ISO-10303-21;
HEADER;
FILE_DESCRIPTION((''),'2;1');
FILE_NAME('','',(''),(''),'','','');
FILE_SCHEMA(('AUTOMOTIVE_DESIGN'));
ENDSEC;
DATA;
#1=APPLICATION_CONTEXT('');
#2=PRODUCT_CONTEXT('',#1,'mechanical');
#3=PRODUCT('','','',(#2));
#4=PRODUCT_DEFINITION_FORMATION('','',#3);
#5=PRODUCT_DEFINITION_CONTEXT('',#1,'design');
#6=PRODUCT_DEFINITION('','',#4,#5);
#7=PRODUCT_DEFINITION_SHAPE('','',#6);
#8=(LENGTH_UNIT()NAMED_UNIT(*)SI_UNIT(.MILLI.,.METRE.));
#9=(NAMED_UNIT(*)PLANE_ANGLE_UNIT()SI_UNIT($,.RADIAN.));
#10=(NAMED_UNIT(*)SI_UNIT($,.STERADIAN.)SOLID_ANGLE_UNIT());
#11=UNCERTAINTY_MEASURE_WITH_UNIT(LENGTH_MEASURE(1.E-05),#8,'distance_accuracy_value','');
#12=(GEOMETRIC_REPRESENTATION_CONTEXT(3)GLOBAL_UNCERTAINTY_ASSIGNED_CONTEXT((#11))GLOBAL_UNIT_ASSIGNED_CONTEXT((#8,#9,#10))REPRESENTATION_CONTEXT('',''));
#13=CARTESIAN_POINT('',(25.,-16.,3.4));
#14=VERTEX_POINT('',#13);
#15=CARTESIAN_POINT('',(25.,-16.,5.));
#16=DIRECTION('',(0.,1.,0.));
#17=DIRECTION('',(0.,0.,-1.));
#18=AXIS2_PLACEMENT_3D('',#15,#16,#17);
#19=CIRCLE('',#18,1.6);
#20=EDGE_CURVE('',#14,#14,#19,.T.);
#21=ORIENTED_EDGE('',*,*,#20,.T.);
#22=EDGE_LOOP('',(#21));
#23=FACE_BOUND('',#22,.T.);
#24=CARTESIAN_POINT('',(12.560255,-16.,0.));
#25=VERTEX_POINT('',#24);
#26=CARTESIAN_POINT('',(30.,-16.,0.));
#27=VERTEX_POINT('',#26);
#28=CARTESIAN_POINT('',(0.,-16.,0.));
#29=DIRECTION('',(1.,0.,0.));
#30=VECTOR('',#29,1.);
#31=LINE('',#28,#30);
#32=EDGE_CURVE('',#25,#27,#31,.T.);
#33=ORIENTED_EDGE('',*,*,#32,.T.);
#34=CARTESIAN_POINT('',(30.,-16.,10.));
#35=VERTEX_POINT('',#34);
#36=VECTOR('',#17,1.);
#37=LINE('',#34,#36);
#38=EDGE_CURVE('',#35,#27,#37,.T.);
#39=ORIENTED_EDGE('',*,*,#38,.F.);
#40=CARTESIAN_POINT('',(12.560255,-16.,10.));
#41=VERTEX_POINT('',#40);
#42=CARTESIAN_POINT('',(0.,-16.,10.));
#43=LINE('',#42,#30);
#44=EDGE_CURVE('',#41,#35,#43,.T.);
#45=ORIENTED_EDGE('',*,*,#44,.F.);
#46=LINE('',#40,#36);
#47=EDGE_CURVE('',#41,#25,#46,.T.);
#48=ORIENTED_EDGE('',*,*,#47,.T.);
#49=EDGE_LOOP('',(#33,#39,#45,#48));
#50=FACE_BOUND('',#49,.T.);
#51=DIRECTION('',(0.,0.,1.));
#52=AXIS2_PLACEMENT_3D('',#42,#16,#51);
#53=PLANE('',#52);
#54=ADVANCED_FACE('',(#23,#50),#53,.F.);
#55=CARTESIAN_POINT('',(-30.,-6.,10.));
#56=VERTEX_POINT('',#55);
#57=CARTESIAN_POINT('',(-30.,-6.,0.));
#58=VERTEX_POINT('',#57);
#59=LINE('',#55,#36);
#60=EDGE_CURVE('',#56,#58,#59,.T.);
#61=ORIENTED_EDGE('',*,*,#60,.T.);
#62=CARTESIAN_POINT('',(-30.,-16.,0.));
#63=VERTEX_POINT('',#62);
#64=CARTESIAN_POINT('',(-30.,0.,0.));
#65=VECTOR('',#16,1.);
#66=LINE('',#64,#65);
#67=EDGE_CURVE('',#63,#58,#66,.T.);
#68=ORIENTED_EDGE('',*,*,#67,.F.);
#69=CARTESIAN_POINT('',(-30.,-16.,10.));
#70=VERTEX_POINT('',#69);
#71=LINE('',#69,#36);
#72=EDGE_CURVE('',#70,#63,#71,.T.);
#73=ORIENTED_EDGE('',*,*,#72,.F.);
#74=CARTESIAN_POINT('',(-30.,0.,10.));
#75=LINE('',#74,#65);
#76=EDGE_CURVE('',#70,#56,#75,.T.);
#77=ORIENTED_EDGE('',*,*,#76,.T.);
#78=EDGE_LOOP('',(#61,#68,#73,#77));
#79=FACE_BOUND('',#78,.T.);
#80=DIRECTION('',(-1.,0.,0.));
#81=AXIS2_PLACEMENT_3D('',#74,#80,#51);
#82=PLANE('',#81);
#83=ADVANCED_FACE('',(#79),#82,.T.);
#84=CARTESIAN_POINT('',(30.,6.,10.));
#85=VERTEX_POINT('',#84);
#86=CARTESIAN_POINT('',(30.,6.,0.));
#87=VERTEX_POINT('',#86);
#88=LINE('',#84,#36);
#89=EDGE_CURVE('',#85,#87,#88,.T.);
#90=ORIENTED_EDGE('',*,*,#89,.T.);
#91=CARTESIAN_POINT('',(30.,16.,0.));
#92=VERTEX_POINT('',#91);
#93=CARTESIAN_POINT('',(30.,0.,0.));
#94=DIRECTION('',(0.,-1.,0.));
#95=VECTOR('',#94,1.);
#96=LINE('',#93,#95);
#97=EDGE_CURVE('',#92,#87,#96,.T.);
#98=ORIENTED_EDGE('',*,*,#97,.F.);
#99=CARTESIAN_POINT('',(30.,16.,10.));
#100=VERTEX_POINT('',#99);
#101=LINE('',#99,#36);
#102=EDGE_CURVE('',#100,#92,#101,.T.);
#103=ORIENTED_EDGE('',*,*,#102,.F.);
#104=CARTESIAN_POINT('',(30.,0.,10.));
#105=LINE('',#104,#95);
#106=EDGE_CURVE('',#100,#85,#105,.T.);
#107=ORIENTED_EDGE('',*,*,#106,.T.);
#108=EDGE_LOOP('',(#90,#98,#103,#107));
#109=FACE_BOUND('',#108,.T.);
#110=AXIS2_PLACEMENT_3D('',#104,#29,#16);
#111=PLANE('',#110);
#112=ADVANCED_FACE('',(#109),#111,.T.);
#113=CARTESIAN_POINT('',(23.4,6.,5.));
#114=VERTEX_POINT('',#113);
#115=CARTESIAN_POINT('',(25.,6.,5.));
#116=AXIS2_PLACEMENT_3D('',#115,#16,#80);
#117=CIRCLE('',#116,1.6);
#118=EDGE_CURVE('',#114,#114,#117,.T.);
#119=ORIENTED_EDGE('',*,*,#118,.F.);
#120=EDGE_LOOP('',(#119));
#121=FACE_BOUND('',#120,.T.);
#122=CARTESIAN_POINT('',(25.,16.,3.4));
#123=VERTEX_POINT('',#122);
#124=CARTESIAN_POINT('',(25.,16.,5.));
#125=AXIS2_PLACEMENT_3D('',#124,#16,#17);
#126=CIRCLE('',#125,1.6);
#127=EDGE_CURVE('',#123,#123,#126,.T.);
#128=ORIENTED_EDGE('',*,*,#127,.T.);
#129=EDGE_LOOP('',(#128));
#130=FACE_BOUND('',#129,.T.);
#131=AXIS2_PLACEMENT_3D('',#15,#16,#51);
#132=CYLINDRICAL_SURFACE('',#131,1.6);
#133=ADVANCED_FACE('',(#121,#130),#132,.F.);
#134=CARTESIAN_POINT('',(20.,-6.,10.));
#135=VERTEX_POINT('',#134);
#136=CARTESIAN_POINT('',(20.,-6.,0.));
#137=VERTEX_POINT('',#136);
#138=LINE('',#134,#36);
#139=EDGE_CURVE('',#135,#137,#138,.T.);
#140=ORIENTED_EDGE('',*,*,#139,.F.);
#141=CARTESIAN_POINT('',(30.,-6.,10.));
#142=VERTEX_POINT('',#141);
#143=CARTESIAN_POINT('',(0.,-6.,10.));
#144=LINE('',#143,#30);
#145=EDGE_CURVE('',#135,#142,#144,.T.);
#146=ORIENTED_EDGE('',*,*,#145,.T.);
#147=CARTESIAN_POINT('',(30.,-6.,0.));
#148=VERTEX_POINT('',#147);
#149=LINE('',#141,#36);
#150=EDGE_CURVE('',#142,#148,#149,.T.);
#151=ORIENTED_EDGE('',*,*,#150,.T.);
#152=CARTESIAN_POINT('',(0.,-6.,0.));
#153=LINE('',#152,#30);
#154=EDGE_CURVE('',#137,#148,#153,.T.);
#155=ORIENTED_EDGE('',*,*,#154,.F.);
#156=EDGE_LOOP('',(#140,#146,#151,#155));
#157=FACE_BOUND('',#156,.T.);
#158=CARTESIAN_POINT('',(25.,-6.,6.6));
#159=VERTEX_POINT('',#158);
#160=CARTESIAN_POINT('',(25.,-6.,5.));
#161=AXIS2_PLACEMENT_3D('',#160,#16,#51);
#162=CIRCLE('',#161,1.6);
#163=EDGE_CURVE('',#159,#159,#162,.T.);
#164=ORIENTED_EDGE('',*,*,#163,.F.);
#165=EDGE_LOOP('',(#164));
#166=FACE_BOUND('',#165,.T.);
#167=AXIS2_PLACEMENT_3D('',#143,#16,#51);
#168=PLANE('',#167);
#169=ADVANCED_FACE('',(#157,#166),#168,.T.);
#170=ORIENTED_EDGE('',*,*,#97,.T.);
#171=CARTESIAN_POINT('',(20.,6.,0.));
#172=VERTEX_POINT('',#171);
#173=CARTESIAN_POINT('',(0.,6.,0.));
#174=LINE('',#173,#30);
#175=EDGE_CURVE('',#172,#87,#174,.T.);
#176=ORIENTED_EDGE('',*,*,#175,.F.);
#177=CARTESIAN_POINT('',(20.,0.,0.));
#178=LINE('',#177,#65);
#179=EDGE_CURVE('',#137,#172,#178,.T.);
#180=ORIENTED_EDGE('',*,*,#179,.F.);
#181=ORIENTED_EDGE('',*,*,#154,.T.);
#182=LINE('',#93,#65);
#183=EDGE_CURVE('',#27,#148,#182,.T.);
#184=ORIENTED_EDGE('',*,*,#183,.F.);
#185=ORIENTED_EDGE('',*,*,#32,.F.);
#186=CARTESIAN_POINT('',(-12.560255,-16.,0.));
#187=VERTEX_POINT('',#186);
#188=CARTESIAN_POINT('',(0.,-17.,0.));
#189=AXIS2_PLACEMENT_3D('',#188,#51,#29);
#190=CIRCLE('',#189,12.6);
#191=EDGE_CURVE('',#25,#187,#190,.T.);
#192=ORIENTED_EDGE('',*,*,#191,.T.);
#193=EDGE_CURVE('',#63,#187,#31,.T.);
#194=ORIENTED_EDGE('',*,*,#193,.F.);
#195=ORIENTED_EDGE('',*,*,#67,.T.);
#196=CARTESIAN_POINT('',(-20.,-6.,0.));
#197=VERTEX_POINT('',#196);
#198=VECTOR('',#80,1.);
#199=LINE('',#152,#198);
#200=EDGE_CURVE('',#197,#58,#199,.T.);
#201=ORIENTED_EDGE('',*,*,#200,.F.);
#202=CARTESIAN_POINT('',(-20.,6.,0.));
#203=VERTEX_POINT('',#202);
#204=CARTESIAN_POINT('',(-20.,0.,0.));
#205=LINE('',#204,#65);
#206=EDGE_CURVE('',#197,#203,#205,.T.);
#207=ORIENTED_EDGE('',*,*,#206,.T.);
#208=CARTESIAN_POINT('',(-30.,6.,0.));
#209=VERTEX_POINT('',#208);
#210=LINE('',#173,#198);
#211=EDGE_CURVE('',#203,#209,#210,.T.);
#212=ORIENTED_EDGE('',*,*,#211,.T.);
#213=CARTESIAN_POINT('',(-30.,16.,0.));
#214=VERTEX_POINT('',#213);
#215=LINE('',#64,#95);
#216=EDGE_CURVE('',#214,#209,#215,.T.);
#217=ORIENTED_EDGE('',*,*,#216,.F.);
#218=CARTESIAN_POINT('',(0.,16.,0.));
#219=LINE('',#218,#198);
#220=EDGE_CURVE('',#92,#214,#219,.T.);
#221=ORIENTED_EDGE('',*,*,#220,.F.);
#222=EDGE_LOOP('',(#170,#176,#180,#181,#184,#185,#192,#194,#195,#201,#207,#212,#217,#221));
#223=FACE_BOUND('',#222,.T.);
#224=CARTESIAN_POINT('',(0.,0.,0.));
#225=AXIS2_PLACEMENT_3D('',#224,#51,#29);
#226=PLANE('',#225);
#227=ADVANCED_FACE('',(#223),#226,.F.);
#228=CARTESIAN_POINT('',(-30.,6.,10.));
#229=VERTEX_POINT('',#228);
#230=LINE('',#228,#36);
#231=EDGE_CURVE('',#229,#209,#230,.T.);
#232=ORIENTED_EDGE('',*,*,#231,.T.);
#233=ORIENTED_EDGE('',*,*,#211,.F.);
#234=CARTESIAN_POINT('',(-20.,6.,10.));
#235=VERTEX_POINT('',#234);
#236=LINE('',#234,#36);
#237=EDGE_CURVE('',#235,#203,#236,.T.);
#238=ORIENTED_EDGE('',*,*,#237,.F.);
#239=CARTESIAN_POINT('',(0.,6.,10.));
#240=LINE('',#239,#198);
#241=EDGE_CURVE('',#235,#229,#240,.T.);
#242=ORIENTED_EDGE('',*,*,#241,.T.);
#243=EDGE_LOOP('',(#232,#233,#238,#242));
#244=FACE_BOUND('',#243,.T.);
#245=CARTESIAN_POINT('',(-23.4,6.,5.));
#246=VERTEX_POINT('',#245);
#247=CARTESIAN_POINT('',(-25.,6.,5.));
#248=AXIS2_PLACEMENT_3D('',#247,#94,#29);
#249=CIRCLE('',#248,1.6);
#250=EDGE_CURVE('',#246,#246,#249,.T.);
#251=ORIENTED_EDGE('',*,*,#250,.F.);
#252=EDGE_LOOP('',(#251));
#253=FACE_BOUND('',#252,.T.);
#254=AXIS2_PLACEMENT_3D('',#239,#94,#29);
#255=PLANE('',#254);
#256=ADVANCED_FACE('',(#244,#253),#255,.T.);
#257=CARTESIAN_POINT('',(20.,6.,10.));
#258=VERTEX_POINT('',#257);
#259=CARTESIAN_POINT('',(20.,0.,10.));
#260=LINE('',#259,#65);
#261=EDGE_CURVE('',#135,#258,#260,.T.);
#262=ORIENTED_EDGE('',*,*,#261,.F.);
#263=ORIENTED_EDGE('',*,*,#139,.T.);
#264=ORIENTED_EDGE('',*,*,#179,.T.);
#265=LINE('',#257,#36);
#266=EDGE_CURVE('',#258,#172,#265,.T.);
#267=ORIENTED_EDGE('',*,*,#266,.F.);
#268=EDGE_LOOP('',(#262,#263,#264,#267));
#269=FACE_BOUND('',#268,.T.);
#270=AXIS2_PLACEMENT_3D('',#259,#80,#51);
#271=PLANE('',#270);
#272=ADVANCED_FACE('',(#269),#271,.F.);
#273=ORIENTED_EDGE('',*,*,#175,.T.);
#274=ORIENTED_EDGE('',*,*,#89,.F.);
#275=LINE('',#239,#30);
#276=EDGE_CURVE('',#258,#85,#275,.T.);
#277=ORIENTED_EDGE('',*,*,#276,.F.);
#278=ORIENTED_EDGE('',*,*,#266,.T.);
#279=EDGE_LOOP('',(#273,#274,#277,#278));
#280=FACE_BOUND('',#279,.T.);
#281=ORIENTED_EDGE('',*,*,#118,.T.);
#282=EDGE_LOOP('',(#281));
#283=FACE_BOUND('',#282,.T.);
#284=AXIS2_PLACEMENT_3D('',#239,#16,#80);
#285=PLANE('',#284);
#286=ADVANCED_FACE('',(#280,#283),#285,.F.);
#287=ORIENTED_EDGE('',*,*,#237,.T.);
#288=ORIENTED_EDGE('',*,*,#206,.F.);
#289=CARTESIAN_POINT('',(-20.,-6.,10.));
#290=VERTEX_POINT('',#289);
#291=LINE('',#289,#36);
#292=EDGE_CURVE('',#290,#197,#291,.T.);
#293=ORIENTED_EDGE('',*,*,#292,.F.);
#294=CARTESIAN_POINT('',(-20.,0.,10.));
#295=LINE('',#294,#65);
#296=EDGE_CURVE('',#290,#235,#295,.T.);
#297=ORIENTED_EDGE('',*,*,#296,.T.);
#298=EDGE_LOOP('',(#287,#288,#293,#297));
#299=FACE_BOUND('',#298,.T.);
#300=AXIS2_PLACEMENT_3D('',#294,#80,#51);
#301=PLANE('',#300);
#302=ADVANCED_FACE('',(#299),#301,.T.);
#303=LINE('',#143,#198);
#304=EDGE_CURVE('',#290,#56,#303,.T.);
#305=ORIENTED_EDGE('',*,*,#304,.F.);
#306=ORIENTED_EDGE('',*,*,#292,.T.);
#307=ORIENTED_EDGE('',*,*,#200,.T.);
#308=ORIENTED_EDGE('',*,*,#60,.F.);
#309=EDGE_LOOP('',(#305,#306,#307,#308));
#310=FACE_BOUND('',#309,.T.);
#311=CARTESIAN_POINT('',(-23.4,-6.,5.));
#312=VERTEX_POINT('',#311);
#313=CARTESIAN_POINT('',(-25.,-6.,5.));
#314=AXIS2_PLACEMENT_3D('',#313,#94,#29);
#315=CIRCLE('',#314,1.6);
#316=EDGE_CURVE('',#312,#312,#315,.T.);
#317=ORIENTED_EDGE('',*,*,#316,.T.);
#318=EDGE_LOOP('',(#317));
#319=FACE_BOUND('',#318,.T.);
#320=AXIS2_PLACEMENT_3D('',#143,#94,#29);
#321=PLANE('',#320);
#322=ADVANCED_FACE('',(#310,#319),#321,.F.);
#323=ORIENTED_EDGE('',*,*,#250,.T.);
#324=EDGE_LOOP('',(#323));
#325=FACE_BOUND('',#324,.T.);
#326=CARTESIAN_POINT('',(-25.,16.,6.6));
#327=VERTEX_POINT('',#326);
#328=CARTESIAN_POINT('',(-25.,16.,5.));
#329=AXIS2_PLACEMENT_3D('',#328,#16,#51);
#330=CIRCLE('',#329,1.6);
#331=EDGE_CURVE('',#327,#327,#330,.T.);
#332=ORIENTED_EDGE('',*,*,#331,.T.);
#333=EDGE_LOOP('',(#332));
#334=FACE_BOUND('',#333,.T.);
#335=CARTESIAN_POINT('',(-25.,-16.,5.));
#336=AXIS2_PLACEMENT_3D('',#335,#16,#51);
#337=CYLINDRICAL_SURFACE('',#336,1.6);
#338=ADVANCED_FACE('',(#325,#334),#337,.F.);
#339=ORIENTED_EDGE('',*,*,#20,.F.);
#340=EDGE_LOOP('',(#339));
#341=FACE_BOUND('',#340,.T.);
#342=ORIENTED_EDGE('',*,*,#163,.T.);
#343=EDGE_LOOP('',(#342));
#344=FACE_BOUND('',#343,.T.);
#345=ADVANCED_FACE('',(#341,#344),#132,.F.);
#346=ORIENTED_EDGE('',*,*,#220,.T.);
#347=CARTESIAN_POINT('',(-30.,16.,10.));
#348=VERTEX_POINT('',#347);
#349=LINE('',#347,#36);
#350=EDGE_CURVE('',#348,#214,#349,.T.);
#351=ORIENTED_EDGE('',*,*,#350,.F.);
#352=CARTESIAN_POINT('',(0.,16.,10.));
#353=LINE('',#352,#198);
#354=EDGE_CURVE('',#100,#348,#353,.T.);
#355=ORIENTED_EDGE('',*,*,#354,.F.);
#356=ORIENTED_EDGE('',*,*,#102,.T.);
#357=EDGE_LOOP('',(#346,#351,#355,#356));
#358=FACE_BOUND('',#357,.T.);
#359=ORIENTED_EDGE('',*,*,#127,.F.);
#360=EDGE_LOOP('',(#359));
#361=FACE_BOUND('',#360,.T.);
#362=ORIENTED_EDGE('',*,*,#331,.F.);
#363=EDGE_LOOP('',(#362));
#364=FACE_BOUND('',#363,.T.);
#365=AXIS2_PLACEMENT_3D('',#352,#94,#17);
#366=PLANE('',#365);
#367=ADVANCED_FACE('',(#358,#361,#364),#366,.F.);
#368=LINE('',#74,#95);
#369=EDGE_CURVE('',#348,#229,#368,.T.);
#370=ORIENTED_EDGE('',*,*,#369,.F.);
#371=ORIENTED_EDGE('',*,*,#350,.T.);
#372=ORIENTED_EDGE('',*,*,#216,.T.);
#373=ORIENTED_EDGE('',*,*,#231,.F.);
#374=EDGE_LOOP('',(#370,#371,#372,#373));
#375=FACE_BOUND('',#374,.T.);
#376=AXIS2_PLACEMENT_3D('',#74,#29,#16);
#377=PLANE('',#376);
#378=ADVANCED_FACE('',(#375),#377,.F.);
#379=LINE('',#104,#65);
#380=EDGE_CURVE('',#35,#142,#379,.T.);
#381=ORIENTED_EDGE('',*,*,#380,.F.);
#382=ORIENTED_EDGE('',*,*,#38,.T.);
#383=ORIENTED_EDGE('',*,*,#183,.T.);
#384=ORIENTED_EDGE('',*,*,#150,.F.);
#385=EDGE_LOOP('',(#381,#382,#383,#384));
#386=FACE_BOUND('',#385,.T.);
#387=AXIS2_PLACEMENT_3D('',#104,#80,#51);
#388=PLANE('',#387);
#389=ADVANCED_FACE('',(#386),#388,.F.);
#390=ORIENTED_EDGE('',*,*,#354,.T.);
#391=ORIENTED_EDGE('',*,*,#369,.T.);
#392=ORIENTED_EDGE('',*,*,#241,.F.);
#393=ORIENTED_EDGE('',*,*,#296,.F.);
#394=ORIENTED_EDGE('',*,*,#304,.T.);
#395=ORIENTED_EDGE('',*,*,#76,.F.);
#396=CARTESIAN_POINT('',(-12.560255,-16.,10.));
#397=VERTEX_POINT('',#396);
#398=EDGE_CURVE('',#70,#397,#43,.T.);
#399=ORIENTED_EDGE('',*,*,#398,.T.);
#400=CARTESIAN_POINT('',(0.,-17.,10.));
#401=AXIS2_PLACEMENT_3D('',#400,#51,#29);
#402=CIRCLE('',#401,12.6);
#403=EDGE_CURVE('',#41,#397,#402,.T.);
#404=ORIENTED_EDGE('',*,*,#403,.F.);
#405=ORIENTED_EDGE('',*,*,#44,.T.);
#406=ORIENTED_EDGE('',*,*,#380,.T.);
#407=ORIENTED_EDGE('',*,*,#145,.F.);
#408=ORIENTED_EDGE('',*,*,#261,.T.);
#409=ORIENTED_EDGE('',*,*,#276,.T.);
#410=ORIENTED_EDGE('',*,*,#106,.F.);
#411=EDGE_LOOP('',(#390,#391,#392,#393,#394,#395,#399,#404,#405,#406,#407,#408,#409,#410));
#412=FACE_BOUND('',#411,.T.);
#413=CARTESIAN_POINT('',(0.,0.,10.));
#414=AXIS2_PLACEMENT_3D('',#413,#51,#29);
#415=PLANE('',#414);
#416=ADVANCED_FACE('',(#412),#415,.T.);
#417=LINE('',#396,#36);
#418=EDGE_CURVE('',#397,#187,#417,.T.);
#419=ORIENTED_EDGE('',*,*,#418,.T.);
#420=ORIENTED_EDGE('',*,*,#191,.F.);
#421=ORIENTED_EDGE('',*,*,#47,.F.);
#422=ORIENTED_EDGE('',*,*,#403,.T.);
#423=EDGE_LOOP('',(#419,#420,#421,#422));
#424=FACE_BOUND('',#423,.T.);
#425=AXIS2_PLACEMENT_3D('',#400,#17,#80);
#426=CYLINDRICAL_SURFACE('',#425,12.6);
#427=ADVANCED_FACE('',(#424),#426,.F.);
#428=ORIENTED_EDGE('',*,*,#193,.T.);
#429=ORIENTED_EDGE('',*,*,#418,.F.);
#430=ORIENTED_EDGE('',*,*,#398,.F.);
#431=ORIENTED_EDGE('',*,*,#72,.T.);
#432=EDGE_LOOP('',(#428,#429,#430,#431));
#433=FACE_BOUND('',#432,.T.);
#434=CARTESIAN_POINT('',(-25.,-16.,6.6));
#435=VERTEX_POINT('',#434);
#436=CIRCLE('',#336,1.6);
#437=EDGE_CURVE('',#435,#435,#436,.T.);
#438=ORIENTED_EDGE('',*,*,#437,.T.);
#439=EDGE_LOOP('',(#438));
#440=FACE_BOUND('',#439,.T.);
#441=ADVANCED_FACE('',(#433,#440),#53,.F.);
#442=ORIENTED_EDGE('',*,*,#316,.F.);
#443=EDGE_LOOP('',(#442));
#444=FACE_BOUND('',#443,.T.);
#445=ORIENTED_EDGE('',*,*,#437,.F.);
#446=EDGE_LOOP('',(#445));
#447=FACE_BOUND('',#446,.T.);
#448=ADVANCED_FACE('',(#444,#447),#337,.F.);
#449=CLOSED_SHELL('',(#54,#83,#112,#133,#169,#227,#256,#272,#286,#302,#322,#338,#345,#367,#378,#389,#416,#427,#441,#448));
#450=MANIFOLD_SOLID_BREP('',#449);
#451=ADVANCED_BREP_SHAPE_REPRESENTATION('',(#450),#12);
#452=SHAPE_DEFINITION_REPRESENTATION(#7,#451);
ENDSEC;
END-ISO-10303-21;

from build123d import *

# Parameters (mm, degrees)
SKETCH_1_W          = 10
SKETCH_1_H          = 10
EXTRUDE_1_DEPTH     = 10
SKETCH_3_R          = 1.6
CUT_EXTRUDE_1_DEPTH = 32


with BuildPart() as part:
    # Эскиз1 → Бобышка-Вытянуть1 (new body)
    with BuildSketch(Plane.XY):
        with Locations((-25, 11)):
            Rectangle(SKETCH_1_W, SKETCH_1_H)
        with BuildLine():
            ThreePointArc((12.560254774, -16), (0, -4.4), (-12.560254774, -16))
            Line((-12.560254774, -16), (-20, -16))
            Line((-20, -16), (-20, 16))
            Line((-20, 16), (20, 16))
            Line((20, 16), (20, -16))
            Line((20, -16), (12.560254774, -16))
        make_face()
        with Locations((-25, -11)):
            Rectangle(SKETCH_1_W, SKETCH_1_H)
        with Locations((25, 11)):
            Rectangle(SKETCH_1_W, SKETCH_1_H)
        with Locations((25, -11)):
            Rectangle(SKETCH_1_W, SKETCH_1_H)
    extrude(amount=EXTRUDE_1_DEPTH)

    # Эскиз3 → Вырез-Вытянуть1 (cut)
    with BuildSketch(Plane(origin=(0, 16, 0), x_dir=(1, 0, 0), z_dir=(0, 1, 0))):
        with Locations(Location((-25, -5, 0), (0, 0, 270))):
            Circle(SKETCH_3_R)
        with Locations(Location((25, -5, 0), (0, 0, 180))):
            Circle(SKETCH_3_R)
    extrude(amount=-CUT_EXTRUDE_1_DEPTH, mode=Mode.SUBTRACT)


solid = part.part
